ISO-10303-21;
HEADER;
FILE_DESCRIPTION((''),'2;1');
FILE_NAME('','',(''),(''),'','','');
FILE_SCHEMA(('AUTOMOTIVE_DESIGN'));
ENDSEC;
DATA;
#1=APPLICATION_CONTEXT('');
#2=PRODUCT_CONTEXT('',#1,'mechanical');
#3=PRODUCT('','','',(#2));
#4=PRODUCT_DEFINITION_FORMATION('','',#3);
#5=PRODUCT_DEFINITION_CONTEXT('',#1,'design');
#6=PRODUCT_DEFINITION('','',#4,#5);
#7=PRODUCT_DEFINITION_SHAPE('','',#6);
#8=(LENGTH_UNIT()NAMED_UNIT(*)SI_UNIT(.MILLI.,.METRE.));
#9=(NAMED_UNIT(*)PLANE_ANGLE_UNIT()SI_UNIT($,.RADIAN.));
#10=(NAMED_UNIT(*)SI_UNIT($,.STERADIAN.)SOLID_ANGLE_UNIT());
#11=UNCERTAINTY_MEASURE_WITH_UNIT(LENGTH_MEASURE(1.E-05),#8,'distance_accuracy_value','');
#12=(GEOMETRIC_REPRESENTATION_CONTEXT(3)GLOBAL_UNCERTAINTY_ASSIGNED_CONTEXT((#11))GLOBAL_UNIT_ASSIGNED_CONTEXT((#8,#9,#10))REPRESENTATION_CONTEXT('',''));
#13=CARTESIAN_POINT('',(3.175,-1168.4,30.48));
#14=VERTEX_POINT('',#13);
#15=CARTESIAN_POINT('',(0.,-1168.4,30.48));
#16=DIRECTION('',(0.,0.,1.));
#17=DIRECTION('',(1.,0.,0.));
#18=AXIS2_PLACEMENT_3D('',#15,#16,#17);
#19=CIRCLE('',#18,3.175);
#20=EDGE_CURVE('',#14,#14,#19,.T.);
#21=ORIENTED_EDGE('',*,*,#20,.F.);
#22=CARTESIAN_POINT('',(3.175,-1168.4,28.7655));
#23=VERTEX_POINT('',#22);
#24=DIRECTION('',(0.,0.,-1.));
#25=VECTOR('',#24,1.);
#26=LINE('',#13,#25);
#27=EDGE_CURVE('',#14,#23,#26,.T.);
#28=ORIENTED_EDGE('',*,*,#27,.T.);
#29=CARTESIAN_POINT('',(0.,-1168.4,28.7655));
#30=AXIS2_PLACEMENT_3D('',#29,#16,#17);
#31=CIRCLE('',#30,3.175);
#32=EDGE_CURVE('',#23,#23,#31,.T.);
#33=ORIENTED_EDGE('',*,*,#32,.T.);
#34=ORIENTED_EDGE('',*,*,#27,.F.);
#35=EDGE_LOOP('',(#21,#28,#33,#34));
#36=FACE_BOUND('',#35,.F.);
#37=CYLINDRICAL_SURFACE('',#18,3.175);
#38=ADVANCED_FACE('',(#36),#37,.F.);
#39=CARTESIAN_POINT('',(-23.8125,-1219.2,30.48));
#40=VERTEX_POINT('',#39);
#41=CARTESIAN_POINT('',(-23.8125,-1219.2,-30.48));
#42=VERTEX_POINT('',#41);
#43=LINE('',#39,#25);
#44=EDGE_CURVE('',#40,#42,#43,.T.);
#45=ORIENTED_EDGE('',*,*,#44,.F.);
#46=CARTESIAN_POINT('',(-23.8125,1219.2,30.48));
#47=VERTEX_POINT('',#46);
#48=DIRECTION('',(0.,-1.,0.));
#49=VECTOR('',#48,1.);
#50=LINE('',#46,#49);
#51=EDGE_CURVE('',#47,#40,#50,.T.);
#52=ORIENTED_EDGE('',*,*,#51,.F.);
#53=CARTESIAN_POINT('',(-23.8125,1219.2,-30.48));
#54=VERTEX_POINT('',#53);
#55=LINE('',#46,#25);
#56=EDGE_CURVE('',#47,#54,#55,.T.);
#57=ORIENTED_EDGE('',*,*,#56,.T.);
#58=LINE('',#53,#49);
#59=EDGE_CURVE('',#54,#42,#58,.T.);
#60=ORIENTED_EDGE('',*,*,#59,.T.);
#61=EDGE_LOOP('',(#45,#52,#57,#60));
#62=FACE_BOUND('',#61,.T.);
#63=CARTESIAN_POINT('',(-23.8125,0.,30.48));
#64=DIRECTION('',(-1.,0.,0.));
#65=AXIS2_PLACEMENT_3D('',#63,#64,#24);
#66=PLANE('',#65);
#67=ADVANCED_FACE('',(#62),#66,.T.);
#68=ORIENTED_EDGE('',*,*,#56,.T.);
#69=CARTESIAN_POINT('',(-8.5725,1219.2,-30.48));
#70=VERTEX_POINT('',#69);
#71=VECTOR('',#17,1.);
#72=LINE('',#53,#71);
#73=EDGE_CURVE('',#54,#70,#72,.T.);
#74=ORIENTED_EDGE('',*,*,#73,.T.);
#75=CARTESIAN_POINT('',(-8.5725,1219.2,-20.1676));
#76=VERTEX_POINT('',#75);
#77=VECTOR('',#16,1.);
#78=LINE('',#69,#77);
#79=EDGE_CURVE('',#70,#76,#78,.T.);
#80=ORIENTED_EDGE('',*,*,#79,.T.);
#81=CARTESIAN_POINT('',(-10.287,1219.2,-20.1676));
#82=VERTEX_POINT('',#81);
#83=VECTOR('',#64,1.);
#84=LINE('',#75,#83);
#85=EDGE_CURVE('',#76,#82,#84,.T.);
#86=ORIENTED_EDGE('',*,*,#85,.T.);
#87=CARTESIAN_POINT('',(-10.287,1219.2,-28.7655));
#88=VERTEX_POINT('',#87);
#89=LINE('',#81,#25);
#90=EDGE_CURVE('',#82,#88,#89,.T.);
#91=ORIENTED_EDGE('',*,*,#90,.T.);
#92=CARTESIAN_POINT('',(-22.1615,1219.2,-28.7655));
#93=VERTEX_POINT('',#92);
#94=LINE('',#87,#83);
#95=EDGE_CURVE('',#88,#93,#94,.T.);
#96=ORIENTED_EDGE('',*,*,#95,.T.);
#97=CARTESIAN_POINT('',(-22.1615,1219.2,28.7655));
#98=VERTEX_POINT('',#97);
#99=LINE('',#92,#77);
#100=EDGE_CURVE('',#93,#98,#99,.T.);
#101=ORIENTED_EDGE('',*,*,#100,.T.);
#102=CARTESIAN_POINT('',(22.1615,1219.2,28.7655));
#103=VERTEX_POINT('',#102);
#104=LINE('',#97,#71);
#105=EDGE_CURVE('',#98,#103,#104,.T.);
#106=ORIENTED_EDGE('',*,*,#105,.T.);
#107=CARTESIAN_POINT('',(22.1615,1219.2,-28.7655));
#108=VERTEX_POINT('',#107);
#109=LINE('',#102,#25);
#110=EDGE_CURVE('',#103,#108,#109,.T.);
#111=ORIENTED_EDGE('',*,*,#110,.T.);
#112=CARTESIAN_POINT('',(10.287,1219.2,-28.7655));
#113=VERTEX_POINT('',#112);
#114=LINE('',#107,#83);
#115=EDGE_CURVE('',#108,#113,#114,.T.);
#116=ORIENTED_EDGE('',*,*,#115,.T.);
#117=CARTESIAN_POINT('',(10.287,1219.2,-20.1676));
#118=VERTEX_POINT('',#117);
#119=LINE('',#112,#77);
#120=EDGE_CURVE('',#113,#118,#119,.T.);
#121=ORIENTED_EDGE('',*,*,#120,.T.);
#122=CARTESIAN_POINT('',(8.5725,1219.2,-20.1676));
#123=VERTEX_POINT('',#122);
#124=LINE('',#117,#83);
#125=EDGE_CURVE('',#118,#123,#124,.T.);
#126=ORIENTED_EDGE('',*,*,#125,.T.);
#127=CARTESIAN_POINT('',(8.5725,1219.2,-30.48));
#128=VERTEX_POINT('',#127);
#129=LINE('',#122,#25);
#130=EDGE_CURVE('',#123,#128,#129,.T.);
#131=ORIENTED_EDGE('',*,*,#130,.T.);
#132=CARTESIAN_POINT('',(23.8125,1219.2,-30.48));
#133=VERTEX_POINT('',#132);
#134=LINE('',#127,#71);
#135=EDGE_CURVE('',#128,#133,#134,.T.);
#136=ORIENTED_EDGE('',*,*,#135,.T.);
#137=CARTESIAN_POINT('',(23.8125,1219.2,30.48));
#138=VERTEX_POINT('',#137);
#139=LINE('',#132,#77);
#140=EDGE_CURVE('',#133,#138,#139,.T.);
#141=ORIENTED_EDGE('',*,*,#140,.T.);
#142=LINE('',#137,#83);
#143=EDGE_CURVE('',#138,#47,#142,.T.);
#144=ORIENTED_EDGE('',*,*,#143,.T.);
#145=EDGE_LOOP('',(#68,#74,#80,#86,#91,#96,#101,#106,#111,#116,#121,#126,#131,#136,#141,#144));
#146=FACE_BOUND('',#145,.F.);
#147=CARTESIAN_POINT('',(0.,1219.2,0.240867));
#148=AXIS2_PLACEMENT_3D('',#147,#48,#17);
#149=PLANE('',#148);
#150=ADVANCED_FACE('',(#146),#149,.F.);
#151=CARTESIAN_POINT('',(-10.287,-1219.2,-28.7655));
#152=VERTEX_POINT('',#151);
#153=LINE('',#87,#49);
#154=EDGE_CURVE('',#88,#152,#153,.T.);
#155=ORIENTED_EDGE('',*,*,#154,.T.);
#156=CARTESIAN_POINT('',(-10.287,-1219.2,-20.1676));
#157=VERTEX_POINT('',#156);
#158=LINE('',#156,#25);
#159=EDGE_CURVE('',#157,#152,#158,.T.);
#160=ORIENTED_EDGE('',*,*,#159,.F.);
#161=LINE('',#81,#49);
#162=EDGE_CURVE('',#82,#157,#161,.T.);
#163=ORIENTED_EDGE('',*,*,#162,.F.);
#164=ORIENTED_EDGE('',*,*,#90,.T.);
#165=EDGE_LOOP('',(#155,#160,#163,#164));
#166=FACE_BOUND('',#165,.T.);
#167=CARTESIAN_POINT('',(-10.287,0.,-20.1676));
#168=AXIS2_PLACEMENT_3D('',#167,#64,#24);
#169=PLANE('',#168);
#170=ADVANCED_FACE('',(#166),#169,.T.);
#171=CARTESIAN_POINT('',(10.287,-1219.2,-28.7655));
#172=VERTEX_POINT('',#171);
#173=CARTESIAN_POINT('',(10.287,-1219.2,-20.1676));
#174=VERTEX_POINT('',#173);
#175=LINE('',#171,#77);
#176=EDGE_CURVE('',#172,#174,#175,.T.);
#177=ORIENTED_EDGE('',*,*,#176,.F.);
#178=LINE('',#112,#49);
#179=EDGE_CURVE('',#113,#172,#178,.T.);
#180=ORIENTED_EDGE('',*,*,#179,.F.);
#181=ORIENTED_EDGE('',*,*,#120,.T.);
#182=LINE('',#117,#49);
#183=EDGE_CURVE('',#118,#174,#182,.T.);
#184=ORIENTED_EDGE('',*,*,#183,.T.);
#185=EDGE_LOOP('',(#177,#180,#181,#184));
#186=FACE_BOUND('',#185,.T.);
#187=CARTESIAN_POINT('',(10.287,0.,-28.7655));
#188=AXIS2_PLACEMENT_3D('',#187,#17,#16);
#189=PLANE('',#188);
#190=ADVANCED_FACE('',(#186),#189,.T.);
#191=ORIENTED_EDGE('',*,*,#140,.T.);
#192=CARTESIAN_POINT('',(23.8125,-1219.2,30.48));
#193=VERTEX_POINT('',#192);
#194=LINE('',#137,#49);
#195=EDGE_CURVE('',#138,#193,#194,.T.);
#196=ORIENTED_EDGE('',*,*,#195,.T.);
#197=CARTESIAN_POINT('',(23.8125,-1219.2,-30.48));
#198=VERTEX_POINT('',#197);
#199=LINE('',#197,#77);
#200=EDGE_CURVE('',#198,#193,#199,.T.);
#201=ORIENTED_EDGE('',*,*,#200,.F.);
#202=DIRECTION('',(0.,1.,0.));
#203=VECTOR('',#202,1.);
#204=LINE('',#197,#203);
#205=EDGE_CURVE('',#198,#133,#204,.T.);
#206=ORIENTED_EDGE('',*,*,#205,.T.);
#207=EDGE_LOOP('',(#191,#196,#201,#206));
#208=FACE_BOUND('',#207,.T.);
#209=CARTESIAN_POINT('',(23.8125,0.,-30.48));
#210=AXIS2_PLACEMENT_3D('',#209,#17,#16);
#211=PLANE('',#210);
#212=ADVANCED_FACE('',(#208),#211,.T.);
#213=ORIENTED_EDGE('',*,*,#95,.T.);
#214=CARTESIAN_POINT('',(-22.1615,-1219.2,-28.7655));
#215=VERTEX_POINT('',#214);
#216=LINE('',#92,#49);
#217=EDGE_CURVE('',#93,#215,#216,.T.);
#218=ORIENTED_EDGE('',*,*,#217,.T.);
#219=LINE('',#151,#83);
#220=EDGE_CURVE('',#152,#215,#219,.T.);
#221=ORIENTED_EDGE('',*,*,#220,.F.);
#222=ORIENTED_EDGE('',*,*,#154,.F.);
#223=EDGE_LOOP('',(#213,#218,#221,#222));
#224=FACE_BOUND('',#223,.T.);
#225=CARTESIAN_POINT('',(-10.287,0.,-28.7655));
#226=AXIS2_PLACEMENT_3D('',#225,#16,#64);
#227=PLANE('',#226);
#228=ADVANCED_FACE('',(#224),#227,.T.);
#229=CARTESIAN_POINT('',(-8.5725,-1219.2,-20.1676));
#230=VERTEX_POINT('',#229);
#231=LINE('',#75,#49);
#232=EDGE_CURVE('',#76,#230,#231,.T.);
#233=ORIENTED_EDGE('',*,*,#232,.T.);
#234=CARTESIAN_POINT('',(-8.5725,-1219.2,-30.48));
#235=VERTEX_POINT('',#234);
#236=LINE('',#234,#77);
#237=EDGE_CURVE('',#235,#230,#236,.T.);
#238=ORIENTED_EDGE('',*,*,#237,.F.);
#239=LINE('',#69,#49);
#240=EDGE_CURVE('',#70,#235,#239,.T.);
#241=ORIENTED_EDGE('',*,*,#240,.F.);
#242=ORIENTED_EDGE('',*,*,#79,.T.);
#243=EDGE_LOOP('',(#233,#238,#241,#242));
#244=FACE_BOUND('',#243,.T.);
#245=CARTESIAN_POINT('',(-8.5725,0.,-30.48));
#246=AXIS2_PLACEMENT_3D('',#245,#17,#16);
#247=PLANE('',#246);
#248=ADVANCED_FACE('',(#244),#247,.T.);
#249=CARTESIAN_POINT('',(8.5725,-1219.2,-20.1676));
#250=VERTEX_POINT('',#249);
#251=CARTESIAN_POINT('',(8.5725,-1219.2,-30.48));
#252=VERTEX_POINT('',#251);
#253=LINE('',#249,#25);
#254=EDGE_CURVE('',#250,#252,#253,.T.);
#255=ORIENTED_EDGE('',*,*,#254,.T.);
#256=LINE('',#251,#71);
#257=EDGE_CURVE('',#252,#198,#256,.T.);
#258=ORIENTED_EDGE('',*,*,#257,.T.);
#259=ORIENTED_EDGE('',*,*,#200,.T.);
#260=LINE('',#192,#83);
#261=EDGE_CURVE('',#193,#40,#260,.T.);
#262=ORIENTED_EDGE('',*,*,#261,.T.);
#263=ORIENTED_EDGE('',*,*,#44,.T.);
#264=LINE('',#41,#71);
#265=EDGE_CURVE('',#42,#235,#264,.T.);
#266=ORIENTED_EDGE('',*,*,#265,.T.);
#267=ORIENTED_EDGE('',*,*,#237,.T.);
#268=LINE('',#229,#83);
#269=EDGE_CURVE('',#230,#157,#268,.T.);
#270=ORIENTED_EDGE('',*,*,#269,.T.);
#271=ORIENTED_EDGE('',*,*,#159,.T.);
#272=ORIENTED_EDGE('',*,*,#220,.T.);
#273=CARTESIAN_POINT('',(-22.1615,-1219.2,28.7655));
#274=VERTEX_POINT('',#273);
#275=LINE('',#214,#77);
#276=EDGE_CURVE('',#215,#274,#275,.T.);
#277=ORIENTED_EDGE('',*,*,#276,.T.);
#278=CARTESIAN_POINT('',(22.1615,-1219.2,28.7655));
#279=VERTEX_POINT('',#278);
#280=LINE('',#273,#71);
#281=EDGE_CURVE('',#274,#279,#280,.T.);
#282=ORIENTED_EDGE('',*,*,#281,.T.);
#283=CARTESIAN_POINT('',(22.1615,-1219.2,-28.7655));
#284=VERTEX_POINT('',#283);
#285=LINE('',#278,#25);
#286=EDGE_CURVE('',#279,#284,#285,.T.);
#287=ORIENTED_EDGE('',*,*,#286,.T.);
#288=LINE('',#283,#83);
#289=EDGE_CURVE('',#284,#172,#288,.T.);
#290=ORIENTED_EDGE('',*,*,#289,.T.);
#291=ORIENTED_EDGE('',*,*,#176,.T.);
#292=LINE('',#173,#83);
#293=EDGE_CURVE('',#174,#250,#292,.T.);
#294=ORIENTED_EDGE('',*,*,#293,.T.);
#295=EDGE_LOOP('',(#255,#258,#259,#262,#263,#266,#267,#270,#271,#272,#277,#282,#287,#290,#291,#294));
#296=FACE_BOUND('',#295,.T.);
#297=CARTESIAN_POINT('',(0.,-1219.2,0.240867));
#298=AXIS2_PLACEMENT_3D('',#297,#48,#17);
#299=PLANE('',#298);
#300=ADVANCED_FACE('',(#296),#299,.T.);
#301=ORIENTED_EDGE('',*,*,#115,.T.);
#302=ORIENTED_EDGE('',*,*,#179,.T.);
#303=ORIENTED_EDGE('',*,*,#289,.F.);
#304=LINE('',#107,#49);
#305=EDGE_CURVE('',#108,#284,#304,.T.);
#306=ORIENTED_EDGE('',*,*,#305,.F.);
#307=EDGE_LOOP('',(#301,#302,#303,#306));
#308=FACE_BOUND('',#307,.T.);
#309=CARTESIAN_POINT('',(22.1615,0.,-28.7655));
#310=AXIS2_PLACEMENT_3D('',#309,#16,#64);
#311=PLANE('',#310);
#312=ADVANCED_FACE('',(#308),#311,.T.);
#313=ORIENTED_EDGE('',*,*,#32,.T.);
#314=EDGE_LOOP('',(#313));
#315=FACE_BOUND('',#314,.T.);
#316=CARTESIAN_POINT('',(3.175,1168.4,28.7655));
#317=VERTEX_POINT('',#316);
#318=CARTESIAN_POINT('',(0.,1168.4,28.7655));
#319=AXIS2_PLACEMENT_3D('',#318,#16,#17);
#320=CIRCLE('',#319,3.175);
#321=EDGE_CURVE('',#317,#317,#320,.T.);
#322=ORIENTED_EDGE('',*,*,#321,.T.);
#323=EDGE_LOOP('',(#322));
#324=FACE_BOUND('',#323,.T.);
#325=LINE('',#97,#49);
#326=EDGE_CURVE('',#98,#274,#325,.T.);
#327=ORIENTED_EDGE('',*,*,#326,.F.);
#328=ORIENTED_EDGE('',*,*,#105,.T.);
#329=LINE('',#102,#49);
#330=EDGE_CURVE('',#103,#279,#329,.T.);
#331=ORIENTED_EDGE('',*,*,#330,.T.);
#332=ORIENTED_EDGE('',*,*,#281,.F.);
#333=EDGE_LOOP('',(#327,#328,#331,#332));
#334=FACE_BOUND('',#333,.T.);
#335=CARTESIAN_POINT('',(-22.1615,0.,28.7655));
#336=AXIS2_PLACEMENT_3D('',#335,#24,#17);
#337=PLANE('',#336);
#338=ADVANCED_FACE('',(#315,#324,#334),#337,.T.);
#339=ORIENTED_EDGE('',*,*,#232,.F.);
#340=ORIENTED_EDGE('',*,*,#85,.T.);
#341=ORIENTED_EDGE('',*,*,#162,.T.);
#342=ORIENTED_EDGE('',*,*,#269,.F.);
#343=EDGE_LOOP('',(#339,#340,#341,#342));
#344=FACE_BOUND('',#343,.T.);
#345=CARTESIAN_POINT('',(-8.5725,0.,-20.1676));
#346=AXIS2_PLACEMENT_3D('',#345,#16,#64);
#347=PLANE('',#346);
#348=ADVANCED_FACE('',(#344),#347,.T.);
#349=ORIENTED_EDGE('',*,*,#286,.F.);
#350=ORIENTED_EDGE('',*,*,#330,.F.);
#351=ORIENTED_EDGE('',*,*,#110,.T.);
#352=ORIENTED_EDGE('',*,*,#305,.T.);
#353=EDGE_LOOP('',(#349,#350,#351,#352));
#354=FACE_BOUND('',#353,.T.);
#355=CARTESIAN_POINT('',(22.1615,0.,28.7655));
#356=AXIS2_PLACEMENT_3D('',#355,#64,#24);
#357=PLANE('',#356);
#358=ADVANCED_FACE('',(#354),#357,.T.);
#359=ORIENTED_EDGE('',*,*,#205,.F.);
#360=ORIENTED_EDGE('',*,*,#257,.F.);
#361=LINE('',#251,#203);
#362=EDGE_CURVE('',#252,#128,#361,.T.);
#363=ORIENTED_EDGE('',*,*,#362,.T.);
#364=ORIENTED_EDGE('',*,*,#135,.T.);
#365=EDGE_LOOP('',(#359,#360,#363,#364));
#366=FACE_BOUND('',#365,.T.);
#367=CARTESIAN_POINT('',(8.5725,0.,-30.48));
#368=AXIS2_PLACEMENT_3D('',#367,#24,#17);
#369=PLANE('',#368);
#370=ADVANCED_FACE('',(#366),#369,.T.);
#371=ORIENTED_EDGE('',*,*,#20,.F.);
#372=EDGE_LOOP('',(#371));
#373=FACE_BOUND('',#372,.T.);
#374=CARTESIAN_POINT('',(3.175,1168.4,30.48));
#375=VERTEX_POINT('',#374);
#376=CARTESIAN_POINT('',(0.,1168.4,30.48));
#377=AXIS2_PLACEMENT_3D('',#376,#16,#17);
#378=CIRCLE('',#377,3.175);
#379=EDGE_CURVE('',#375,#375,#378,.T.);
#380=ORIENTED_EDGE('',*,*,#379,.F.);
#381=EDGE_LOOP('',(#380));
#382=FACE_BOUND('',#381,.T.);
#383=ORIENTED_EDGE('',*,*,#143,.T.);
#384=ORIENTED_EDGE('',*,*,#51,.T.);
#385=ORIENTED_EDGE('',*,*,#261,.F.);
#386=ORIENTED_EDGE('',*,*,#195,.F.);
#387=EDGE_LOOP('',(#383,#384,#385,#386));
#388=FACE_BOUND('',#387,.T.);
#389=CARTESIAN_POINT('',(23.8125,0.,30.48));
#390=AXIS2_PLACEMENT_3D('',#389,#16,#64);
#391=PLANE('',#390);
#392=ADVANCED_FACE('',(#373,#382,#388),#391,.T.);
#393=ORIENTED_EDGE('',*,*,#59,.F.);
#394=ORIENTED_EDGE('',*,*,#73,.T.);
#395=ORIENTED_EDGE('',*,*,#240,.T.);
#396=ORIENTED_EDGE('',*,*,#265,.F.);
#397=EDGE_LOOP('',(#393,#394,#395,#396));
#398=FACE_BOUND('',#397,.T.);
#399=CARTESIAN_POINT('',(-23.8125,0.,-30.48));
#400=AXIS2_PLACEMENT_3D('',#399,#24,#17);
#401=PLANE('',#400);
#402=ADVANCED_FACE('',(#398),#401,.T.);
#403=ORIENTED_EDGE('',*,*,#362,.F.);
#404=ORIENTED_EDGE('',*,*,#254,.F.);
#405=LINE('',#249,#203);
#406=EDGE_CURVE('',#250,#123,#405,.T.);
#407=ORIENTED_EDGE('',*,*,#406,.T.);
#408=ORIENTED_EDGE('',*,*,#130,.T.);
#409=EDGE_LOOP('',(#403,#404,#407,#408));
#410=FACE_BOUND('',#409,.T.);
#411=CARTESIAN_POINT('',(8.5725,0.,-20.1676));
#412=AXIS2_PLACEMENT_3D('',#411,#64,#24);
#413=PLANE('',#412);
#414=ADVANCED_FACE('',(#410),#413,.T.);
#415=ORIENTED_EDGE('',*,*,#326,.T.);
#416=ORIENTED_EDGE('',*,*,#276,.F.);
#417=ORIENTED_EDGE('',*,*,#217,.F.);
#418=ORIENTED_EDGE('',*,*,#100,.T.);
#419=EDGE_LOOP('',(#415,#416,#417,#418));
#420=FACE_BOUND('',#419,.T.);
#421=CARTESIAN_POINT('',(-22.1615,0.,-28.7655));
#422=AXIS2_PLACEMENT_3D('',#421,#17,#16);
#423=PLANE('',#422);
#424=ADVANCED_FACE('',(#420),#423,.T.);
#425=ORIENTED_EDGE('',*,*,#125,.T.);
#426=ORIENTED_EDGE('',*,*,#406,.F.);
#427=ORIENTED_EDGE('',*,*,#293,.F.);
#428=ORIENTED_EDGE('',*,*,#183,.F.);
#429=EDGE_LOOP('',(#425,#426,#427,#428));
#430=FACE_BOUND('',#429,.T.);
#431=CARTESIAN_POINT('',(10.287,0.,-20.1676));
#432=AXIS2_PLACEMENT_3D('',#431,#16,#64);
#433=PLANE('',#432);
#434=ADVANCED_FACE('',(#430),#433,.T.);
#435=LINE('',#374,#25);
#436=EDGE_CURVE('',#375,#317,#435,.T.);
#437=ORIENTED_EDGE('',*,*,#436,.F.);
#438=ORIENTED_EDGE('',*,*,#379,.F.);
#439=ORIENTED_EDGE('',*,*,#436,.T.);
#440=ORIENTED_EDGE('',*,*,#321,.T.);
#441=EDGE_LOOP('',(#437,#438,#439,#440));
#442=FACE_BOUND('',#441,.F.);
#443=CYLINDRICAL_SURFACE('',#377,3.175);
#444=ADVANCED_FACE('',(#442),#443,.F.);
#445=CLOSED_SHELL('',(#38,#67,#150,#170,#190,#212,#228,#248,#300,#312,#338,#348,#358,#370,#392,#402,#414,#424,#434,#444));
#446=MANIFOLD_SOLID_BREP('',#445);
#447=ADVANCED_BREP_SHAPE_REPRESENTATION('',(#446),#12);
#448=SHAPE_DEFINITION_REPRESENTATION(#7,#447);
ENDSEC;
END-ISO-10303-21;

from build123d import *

# Parameters (mm, degrees)
F1_DEPTH = 1219.2
F2_R     = 3.175
F3_DEPTH = 1.7145


with BuildPart() as f1:
    # F0 (on Front) → F1 (new body, symmetric)
    with BuildSketch(Plane.XZ):
        Polygon((23.8125, -30.48), (23.8125, 30.48), (-23.8125, 30.48), (-23.8125, -30.48), (-8.5725, -30.48), (-8.5725, -20.1676), (-10.287, -20.1676), (-10.287, -28.7655), (-22.1615, -28.7655), (-22.1615, 28.7655), (22.1615, 28.7655), (22.1615, -28.7655), (10.287, -28.7655), (10.287, -20.1676), (8.5725, -20.1676), (8.5725, -30.48), align=None)
    extrude(amount=F1_DEPTH, both=True)

    # F2 (on face) → F3 (cut, through all)
    with BuildSketch(Plane.XY.offset(30.48)):
        with Locations((0, 1168.4)):
            Circle(F2_R)
        with Locations((0, -1168.4)):
            Circle(F2_R)
    extrude(amount=-F3_DEPTH, mode=Mode.SUBTRACT)


solid = f1.part
